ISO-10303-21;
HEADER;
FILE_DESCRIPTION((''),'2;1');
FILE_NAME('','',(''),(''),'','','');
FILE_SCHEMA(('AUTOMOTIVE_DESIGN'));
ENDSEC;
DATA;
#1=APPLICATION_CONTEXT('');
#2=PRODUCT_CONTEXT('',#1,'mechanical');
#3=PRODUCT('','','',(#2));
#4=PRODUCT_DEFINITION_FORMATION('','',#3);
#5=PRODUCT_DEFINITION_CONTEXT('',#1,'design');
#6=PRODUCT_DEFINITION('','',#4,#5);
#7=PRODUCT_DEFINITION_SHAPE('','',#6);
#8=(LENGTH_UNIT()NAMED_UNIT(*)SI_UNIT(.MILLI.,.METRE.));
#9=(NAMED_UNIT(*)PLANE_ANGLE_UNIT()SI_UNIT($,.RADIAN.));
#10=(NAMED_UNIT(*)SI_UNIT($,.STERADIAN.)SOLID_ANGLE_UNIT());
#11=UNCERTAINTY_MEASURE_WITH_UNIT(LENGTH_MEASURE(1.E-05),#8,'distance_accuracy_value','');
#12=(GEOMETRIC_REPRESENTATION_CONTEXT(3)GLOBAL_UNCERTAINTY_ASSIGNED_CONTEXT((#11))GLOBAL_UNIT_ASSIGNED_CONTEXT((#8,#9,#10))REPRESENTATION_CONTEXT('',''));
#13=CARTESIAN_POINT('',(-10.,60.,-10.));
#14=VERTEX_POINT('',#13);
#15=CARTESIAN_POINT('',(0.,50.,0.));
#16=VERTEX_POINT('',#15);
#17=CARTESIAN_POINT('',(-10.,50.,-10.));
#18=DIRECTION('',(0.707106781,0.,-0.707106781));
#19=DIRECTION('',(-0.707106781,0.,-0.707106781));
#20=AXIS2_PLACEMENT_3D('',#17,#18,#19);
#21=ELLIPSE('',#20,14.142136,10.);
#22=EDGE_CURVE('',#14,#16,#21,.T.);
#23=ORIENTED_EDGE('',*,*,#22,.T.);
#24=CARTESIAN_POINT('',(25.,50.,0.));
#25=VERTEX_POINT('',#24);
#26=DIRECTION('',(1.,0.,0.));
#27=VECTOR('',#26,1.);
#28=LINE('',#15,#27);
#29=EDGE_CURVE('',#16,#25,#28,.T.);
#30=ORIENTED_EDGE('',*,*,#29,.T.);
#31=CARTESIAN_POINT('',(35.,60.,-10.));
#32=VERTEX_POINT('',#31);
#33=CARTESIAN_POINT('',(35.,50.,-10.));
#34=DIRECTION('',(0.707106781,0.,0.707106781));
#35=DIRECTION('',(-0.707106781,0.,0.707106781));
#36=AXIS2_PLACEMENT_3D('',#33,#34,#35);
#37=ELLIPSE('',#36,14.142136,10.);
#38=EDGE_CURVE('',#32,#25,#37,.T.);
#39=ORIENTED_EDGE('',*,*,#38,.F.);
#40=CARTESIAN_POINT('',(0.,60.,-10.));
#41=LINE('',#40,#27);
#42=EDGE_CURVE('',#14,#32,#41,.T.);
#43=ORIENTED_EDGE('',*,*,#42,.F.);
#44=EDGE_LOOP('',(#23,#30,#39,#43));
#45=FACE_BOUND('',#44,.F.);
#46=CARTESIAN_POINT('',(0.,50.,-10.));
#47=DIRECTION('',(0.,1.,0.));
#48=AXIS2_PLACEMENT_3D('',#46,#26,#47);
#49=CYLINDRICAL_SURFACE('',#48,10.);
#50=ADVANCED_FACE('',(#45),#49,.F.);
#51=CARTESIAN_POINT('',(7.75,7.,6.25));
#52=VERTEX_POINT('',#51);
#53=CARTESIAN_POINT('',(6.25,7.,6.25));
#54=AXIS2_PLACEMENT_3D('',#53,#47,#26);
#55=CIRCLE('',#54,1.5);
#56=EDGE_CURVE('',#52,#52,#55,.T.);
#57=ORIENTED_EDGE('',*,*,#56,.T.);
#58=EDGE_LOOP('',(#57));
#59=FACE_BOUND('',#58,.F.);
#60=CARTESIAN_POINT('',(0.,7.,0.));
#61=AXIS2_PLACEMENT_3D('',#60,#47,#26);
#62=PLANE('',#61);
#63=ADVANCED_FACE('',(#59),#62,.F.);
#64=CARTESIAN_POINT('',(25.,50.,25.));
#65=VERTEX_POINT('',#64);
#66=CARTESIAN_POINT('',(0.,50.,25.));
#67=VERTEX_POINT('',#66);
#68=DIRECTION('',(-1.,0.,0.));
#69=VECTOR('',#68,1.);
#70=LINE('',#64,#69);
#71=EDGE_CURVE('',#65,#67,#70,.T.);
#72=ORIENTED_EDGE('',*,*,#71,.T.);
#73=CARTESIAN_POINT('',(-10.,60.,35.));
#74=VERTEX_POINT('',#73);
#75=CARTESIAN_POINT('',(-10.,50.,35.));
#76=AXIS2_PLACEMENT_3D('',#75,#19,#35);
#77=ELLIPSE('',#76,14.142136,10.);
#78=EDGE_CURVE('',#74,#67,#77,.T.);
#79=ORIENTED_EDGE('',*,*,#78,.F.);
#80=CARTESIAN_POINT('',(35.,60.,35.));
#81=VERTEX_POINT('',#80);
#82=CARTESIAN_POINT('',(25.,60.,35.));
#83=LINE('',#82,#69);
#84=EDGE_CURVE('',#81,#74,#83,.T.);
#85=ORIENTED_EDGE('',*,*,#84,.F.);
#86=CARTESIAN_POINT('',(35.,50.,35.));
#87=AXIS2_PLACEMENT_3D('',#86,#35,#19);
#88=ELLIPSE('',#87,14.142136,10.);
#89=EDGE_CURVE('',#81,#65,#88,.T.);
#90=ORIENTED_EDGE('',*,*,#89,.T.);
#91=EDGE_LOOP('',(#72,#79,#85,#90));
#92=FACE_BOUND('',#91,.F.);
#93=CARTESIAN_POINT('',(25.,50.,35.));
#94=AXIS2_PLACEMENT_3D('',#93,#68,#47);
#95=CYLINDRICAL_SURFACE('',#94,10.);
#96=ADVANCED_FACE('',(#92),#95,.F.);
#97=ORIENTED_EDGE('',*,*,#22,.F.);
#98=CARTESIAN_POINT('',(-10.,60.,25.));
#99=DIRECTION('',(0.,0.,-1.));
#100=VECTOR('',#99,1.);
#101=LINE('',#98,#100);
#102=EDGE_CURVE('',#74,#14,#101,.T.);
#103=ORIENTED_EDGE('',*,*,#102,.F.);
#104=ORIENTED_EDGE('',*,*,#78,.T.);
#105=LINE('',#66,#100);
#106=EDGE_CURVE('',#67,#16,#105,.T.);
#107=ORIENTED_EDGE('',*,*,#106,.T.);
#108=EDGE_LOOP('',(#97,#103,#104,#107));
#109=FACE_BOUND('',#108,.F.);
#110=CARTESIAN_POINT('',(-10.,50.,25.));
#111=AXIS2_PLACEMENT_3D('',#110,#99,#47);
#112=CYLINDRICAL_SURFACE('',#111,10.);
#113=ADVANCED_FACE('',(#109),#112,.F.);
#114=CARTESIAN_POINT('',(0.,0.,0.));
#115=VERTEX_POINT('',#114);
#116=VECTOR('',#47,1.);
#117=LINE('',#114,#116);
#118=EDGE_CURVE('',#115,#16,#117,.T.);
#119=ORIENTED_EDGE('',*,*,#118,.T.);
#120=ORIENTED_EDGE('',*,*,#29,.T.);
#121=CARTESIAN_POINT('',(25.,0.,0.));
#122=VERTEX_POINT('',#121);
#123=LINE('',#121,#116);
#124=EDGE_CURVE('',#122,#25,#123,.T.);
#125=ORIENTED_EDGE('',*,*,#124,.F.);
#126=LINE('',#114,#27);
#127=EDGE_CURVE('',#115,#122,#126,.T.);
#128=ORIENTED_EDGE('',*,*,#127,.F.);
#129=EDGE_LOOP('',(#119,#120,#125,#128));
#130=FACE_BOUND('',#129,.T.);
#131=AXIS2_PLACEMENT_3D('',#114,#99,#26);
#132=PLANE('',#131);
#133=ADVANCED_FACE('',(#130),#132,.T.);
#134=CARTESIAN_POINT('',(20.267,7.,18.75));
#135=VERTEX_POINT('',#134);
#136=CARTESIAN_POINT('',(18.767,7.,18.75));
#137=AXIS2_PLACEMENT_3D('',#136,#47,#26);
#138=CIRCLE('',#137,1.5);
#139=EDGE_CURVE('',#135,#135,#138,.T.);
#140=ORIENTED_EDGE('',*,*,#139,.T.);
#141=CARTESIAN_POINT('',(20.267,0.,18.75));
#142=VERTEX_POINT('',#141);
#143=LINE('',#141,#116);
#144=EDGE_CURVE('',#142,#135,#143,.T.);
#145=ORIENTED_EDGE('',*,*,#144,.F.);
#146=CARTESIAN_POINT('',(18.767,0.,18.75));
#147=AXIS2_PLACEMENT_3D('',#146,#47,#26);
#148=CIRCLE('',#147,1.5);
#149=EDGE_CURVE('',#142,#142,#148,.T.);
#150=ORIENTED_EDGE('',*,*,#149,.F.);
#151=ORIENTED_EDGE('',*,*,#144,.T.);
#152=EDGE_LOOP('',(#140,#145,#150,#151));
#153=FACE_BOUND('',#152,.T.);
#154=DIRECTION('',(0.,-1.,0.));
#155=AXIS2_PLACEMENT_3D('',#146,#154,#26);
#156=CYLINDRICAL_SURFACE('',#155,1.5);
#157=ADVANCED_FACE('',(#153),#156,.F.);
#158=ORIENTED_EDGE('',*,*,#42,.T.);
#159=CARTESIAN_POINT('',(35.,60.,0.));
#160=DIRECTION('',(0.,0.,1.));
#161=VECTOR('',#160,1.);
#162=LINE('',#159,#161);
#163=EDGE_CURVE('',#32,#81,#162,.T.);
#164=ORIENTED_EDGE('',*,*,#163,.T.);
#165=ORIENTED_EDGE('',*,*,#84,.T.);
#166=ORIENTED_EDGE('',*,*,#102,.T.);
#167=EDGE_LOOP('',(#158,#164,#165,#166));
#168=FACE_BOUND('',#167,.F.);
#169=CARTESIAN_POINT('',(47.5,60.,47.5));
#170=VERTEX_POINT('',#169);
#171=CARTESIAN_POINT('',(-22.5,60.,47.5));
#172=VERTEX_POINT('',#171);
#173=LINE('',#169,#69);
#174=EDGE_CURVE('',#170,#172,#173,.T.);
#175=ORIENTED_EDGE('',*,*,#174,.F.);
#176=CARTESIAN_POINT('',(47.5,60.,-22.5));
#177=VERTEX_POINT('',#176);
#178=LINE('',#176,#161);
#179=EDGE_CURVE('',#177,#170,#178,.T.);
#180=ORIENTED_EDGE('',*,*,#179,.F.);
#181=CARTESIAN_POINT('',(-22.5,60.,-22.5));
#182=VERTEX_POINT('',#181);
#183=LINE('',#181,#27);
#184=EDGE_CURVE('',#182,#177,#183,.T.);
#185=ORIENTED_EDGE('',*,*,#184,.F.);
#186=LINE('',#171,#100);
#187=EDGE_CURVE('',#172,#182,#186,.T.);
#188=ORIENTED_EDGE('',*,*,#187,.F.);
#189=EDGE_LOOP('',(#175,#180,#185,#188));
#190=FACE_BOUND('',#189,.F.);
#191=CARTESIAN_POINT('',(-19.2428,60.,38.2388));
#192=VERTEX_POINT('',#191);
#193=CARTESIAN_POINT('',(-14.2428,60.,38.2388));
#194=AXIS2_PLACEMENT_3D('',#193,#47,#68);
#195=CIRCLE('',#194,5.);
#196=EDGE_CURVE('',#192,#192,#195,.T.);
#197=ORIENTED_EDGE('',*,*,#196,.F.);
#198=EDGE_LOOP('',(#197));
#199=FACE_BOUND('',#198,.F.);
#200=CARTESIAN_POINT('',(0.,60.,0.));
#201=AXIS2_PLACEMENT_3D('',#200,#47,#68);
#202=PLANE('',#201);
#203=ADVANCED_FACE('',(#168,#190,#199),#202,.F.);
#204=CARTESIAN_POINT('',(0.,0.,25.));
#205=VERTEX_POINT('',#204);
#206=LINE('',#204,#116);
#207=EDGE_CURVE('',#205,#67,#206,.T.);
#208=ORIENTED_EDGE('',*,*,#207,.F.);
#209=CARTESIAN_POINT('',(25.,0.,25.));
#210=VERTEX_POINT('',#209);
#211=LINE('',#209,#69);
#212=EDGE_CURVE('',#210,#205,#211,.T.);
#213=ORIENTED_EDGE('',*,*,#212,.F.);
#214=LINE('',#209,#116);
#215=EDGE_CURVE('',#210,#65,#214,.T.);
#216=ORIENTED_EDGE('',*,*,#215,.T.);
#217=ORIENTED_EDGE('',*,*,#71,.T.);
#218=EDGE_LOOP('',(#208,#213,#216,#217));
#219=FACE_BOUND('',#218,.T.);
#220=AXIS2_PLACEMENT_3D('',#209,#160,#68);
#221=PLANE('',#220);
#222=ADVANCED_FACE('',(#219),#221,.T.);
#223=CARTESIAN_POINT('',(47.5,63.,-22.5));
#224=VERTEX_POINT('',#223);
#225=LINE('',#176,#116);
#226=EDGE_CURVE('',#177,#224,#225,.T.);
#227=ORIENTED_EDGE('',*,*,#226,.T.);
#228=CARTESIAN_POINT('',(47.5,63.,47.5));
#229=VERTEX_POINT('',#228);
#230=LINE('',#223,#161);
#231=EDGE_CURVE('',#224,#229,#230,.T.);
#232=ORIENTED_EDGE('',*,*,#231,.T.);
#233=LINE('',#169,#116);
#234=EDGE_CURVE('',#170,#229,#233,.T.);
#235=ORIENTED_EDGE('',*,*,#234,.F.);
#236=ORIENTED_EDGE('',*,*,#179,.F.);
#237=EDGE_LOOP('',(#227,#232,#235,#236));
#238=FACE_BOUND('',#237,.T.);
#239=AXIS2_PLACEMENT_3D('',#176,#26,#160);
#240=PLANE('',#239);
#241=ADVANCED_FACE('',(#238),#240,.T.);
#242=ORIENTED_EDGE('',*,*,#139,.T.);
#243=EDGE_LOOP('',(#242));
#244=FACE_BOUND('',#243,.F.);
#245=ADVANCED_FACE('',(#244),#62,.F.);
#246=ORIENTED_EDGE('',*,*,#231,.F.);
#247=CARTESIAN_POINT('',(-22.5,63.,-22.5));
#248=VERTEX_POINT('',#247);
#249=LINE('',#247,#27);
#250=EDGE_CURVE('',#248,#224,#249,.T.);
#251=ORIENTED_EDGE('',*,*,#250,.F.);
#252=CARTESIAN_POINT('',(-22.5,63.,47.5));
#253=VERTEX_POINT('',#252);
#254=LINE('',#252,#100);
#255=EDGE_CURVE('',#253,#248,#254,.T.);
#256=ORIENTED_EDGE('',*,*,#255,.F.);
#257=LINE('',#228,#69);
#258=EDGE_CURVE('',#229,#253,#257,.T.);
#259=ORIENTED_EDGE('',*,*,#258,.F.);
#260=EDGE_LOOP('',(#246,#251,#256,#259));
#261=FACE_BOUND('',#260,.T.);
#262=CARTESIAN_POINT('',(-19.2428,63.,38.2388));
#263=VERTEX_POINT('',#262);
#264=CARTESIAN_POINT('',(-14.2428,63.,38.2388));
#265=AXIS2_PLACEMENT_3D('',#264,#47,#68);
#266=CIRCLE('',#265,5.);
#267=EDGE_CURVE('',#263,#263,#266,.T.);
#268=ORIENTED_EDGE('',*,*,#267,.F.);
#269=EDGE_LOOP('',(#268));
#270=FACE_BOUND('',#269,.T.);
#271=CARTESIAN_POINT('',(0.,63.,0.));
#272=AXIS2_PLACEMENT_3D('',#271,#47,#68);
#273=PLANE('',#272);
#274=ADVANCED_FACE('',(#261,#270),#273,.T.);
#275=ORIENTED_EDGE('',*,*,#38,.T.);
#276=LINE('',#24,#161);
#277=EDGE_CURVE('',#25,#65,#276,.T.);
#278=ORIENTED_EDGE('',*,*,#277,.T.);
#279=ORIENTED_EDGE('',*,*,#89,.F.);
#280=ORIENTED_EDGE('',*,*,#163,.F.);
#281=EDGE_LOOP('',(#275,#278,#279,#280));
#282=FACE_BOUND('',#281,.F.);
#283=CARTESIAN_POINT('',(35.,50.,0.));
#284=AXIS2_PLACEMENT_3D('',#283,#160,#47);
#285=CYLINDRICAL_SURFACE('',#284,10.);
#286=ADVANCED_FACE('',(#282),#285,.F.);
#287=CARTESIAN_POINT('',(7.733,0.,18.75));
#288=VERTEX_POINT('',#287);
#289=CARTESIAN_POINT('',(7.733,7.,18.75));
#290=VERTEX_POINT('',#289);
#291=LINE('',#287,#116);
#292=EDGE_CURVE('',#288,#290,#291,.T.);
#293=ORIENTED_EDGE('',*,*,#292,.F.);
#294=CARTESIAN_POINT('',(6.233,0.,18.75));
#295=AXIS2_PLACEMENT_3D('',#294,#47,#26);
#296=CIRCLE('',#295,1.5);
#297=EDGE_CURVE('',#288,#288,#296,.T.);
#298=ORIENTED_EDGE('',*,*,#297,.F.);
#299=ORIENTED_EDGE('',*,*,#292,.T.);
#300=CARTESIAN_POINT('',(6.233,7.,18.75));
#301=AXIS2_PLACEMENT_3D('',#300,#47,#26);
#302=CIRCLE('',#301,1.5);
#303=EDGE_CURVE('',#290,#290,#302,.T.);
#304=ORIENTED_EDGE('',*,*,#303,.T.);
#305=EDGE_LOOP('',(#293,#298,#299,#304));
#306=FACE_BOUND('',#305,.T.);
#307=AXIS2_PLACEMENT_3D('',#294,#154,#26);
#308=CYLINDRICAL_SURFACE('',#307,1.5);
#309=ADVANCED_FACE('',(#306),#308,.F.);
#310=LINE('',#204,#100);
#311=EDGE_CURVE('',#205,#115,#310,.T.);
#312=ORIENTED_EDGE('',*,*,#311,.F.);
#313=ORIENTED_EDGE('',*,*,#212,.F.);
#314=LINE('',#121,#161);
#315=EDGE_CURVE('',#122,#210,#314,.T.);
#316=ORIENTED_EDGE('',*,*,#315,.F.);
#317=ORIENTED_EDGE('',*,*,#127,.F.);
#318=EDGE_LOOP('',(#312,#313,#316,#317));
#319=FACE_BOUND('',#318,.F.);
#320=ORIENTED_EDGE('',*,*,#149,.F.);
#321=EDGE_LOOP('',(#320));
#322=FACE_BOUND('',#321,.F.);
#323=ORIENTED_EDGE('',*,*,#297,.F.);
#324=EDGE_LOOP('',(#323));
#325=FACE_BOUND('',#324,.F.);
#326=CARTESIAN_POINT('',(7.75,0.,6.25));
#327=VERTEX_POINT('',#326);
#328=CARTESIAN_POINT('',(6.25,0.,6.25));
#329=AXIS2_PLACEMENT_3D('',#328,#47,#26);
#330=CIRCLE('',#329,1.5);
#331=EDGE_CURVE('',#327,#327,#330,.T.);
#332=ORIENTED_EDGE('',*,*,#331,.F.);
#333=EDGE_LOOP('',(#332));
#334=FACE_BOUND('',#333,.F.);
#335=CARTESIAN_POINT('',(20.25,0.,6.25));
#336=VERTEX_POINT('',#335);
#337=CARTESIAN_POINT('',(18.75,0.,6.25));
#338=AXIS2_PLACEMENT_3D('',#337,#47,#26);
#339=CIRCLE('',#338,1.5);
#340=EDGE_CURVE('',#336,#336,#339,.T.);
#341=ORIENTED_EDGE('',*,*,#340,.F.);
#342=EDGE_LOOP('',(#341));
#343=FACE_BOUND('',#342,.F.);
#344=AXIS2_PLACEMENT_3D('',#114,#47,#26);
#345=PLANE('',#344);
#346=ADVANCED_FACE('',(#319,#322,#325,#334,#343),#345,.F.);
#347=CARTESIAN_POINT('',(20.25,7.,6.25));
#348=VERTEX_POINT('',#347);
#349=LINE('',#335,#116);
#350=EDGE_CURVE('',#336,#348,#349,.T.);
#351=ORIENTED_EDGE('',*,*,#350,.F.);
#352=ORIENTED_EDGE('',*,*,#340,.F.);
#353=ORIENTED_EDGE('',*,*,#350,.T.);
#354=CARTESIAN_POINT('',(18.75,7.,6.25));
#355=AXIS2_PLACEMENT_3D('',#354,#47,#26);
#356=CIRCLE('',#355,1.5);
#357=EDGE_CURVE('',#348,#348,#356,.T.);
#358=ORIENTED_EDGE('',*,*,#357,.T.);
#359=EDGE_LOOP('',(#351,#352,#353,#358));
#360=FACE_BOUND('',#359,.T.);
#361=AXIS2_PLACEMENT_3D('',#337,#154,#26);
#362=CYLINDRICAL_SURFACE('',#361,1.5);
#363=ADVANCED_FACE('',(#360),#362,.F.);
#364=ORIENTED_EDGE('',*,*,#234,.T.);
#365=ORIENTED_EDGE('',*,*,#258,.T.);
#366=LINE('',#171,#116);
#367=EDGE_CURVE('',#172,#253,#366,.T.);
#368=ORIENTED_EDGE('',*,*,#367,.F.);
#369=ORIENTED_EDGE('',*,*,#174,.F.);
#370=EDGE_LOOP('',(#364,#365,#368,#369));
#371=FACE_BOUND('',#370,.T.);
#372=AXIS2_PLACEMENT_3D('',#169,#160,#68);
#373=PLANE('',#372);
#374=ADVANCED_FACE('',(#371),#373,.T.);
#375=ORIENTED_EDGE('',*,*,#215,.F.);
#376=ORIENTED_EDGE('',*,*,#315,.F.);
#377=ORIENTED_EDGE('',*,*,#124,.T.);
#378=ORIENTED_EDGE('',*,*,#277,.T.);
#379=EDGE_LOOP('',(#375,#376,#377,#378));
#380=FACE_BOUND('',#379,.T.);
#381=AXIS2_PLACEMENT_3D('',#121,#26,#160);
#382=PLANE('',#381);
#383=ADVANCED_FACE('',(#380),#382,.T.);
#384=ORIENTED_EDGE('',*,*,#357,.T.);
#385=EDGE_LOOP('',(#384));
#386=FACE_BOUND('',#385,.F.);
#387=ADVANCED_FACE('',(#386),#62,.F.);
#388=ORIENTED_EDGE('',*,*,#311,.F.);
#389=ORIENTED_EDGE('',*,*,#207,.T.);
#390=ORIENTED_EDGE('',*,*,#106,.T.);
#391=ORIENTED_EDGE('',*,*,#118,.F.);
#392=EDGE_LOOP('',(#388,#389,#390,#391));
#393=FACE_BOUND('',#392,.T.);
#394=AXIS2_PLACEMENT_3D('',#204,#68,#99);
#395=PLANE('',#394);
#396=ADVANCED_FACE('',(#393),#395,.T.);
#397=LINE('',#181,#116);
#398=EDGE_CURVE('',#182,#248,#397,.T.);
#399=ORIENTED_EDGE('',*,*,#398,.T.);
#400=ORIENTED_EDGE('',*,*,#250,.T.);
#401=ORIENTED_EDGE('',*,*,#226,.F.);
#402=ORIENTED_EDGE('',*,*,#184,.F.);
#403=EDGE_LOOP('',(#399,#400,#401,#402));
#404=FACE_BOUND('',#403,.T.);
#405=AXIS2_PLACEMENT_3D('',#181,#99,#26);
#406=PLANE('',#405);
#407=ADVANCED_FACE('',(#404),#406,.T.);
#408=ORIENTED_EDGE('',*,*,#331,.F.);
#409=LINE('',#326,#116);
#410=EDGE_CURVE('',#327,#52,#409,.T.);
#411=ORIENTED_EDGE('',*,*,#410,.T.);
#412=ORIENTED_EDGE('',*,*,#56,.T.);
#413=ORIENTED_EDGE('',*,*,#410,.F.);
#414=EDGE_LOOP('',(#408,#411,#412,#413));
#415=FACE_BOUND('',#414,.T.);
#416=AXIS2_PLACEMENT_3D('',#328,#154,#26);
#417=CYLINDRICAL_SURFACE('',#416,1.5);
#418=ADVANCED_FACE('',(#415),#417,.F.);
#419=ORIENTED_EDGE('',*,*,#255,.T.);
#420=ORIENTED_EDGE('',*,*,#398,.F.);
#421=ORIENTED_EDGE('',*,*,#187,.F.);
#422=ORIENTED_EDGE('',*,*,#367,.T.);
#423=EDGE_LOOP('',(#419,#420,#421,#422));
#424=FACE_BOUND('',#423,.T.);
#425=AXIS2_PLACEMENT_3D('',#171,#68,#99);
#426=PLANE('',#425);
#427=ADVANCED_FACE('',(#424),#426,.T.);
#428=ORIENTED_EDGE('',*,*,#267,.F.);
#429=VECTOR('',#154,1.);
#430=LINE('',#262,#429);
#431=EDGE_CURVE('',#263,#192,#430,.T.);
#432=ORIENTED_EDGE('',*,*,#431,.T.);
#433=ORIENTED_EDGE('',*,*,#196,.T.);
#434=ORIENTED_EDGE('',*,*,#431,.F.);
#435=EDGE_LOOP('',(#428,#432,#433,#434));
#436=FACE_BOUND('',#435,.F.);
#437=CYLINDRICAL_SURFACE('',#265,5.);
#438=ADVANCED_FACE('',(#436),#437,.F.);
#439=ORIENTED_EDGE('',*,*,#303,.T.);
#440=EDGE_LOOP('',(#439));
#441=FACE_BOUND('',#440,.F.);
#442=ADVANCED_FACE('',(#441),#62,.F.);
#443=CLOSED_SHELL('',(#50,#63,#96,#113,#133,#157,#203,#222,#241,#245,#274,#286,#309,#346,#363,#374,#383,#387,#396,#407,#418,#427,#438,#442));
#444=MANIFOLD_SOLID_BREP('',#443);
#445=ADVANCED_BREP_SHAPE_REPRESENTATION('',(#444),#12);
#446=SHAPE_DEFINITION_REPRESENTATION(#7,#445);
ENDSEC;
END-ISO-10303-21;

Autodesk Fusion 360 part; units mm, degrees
sketch "Sketch1" plane through (0, 0, 0) normal (0, 1, 0) x (1, 0, 0)
  line L0 (0, 0) -> (25, 0)
  line L1 (25, 0) -> (25, -25)
  line L2 (25, -25) -> (0, -25)
  line L3 (0, -25) -> (0, 0)
  dimension "d1" = 25
  dimension "d2" = 25
extrude "Extrude1" add sketch "Sketch1" along normal blind 60
sketch "Sketch2" plane through (0, 60, 0) normal (0, 1, 0) x (-1, 0, 0)
  line L0 (0, 25) -> (-25, 25)
  line L1 (-25, 25) -> (-25, 0)
  line L2 (-25, 0) -> (0, 0)
  line L3 (0, 0) -> (0, 25)
  line L4 (-47.5, 47.5) -> (22.5, 47.5)
  line L5 (22.5, 47.5) -> (22.5, -22.5)
  line L6 (22.5, -22.5) -> (-47.5, -22.5)
  line L7 (-47.5, -22.5) -> (-47.5, 47.5)
  line L8 (-47.5, 47.5) -> (22.5, -22.5) construction
  line L9 (22.5, 47.5) -> (-47.5, -22.5) construction
  point P0 (-12.5, 12.5)
  dimension "d5" = 70
  dimension "d6" = 70
extrude "Extrude2" add sketch "Sketch2" along normal blind 3 contours L0 L1 L2 L3 | L4 L5 L6 L7
fillet "Fillet1" radius 10 4 edges at (12.5, 60, 25) (25, 60, 12.5) (0, 60, 12.5) (12.5, 60, 0)
sketch "Sketch3" plane through (0, 63, 0) normal (0, 1, 0) x (-1, 0, 0)
  line L0 (-47.5, -22.5) -> (22.5, -22.5)
  line L1 (22.5, -22.5) -> (22.5, 47.5)
  line L2 (22.5, 47.5) -> (-47.5, 47.5)
  line L3 (-47.5, 47.5) -> (-47.5, -22.5)
  circle A0 centre (14.2428, 38.2388) radius 5
  dimension "d11" = 10
extrude "Extrude3" cut sketch "Sketch3" against normal blind 30 contours A0
sketch "Sketch4" plane through (0, 0, 0) normal (0, 1, 0) x (1, 0, 0)
  line L0 (25, 0) -> (0, 0)
  line L1 (0, 0) -> (0, -25)
  line L2 (0, -25) -> (25, -25)
  line L3 (25, -25) -> (25, 0)
  circle A0 centre (18.75, -6.25) radius 1.5
  circle A1 centre (18.767, -18.75) radius 1.5
  circle A2 centre (6.25, -6.25) radius 1.5
  circle A3 centre (6.233, -18.75) radius 1.5
  point P0 (25, 0)
  point P1 (25, -25)
  dimension "d14" = 3
  dimension "d15" = 3
  dimension "d17" = 12.5
  dimension "d18" = 6.25
extrude "Extrude4" cut sketch "Sketch4" along normal blind 7 contours A0 | A1 | A2 | A3
equation "d17 = 2.5 / 2 * 1 cm"
equation "d18 = 2.5 / 4 * 1 cm"
